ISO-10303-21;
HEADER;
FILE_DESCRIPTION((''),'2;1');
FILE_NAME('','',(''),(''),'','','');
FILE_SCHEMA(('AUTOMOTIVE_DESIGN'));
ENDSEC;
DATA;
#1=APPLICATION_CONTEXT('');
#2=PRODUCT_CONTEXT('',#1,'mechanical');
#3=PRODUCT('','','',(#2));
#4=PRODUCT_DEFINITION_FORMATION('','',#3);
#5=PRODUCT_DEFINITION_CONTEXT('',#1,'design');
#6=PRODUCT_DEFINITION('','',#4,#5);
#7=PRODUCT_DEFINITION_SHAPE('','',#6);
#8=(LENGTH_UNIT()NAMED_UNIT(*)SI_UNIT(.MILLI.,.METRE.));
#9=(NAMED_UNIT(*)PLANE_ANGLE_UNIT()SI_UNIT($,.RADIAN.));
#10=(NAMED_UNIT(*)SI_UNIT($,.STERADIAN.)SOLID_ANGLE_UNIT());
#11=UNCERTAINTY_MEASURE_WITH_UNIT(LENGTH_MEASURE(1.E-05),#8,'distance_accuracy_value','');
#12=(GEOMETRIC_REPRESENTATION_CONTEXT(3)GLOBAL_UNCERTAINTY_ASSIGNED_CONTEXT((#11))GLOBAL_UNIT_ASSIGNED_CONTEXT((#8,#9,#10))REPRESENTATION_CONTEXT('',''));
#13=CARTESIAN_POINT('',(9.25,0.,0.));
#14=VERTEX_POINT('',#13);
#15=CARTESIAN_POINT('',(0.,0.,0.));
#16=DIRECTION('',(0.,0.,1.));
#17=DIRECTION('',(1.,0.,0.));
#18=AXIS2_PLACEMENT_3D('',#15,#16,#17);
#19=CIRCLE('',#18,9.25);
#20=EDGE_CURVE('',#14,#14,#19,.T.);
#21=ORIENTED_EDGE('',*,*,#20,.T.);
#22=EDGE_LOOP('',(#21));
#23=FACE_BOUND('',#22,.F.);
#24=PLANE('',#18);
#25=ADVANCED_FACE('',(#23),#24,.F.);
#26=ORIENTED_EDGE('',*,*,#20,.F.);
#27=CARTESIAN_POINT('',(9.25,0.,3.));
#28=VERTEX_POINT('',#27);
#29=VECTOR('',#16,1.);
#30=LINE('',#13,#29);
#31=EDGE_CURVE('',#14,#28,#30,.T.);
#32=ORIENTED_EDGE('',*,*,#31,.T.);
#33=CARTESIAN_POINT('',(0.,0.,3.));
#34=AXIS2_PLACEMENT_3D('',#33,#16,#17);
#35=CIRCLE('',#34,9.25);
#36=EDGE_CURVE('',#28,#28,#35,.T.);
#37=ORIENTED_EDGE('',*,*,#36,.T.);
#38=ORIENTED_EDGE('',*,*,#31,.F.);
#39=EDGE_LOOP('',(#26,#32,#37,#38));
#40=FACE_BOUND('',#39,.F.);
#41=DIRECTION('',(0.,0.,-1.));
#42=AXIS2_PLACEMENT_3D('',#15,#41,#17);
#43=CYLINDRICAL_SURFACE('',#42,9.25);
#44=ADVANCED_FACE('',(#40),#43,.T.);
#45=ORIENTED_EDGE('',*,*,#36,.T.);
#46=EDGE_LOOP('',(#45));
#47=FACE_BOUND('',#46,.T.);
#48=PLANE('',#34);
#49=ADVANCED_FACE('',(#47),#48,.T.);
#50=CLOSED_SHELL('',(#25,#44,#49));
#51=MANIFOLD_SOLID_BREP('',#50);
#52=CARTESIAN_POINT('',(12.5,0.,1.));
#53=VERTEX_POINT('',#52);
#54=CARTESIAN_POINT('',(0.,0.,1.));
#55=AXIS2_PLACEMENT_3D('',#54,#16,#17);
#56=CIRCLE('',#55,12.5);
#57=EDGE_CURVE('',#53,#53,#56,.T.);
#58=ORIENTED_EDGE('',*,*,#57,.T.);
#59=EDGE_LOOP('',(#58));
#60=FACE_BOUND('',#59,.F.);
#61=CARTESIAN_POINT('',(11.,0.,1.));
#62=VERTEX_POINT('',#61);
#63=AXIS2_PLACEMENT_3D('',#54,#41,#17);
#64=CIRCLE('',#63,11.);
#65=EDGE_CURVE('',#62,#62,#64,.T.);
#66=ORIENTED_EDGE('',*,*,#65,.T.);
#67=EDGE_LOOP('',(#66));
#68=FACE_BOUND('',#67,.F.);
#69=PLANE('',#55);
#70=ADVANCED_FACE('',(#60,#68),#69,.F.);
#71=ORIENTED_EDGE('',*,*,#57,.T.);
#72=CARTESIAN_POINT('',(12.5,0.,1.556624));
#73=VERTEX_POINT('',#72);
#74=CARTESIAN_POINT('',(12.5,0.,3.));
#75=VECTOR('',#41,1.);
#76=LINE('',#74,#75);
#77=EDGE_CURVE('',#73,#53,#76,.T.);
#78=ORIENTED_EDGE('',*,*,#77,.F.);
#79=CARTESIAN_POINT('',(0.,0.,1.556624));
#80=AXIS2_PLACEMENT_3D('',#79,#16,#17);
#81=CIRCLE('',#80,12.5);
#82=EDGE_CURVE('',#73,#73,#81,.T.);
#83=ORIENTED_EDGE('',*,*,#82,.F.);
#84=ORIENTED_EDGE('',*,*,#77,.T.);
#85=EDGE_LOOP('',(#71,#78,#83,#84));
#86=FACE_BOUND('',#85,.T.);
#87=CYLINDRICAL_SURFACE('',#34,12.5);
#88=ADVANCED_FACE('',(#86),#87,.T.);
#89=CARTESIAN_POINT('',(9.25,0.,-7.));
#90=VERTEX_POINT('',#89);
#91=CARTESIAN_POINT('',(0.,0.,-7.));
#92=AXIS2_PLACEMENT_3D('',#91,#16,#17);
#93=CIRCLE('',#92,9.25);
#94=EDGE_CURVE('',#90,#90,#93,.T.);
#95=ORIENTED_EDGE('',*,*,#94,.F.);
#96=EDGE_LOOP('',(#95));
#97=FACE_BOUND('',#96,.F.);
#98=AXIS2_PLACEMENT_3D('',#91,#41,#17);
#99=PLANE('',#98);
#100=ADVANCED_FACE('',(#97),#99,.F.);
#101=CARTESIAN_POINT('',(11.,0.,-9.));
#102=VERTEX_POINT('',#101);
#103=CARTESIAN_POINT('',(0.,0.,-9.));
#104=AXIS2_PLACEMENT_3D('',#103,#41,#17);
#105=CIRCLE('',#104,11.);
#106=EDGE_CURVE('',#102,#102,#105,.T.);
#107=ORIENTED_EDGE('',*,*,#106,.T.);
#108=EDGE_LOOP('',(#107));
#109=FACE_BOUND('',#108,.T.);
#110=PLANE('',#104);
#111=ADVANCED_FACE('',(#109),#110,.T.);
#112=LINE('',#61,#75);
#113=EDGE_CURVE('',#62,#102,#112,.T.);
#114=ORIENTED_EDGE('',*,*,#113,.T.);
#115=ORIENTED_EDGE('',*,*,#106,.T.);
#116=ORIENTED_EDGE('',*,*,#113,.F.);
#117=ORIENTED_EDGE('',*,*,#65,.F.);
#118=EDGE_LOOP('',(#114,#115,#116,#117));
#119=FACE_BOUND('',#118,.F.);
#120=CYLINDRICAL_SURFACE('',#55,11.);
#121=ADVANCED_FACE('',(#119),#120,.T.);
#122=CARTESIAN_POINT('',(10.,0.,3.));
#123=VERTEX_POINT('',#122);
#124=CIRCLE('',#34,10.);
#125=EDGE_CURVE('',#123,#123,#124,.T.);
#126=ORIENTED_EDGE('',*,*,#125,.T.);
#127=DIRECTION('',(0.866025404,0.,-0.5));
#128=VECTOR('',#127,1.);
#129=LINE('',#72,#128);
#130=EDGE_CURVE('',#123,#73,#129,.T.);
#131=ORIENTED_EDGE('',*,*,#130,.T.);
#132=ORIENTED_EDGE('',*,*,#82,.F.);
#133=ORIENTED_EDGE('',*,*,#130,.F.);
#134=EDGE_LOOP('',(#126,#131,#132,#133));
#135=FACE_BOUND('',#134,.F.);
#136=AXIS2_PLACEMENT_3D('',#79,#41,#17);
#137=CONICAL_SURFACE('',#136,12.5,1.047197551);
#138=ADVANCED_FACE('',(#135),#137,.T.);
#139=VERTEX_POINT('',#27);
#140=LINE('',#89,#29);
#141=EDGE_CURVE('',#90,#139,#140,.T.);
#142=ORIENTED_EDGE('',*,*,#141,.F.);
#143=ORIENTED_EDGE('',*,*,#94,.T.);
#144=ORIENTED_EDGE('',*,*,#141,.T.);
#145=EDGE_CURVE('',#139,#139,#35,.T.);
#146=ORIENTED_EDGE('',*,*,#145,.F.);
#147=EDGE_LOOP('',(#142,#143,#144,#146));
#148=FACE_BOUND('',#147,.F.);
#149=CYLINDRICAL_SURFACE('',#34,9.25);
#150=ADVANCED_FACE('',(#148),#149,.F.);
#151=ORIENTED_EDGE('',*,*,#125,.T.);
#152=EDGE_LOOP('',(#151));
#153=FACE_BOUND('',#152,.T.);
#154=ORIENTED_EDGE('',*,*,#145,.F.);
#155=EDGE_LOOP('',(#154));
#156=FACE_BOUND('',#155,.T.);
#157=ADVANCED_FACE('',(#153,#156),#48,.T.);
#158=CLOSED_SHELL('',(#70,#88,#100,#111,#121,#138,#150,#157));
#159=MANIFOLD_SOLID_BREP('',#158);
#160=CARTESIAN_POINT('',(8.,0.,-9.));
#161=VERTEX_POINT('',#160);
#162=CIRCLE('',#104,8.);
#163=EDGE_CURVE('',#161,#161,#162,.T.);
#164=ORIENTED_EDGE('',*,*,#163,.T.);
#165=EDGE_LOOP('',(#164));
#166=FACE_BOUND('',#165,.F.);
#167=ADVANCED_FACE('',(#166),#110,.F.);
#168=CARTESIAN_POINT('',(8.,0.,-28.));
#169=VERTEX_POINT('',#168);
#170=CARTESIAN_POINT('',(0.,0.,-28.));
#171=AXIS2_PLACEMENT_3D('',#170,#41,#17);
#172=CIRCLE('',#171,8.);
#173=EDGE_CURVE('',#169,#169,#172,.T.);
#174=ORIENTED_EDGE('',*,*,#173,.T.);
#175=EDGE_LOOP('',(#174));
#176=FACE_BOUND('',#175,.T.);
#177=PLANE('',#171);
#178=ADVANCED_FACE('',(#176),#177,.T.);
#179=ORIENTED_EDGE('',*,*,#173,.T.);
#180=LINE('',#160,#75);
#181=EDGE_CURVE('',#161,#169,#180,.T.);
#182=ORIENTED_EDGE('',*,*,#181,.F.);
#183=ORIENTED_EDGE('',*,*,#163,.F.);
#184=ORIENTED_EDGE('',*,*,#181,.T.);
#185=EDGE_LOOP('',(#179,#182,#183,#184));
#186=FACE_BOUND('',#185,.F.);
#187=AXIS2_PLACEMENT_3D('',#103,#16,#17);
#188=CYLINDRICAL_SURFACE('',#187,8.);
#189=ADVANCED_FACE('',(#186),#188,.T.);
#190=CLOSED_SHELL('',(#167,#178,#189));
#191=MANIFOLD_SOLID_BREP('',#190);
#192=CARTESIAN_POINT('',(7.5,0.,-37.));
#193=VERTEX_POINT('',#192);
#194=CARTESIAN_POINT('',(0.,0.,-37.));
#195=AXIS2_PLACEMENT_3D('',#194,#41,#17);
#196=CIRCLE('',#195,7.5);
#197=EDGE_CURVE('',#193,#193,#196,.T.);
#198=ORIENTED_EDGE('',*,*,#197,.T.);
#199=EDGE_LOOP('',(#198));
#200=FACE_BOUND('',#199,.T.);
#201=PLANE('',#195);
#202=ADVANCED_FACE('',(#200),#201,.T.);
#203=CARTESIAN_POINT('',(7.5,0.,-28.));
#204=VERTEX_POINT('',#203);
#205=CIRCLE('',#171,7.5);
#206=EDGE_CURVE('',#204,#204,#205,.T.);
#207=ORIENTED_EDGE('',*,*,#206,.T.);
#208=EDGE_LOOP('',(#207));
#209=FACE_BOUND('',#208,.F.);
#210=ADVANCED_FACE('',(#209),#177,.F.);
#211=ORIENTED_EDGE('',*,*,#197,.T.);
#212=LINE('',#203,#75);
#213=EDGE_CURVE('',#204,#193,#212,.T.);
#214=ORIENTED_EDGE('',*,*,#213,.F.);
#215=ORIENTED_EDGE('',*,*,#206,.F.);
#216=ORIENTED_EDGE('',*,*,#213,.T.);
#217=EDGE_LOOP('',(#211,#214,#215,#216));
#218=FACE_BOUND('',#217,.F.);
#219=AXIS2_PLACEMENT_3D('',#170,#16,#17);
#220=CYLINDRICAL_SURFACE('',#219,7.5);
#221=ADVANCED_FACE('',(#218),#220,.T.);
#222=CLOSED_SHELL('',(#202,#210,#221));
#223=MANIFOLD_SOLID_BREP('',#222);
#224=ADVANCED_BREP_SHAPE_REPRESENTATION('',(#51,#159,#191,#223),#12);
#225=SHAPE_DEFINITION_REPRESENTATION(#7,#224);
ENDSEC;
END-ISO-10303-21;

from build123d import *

# Parameters (mm, degrees)
F0_R      = 9.25
F1_DEPTH  = 3
F2_R      = 12.5
F2_R_2    = 9.25
F3_DEPTH  = 2
F4_R      = 11
F4_R_2    = 9.25
F5_DEPTH  = 10
F6_R      = 11
F7_DEPTH  = 2
F8_SIZE2  = 1.443375673
F8_SIZE   = 2.5
F9_R      = 8
F10_DEPTH = 19
F11_R     = 7.5
F12_DEPTH = 9


with BuildPart() as f1:
    # F0 (on Top) → F1 (new body)
    with BuildSketch(Plane.XY):
        Circle(F0_R)
    extrude(amount=F1_DEPTH)


with BuildPart() as f3:
    # F2 (on face) → F3 (new body)
    with BuildSketch(Plane.XY.offset(3)):
        Circle(F2_R)
        Circle(F2_R_2, mode=Mode.SUBTRACT)
    extrude(amount=-F3_DEPTH)

    # F4 (on face) → F5 (join)
    with BuildSketch(Plane(origin=(0, 0, 1), x_dir=(1, 0, 0), z_dir=(0, 0, -1))):
        Circle(F4_R)
        Circle(F4_R_2, mode=Mode.SUBTRACT)
    extrude(amount=F5_DEPTH)

    # F6 (on face) → F7 (join)
    with BuildSketch(Plane(origin=(0, 0, -9), x_dir=(1, 0, 0), z_dir=(0, 0, -1))):
        Circle(F6_R)
    extrude(amount=-F7_DEPTH)

    # F8
    f8_edges = [f3.edges().sort_by_distance(p)[0] for p in [
        (-12.5, 0, 3),
    ]]
    f8_side = f3.faces().sort_by_distance((-12.146447, 0, 3))[0]
    chamfer(f8_edges, length=F8_SIZE, length2=F8_SIZE2, reference=f8_side)


with BuildPart() as f10:
    # F9 (on face) → F10 (new body)
    with BuildSketch(Plane(origin=(0, 0, -9), x_dir=(1, 0, 0), z_dir=(0, 0, -1))):
        Circle(F9_R)
    extrude(amount=F10_DEPTH)


with BuildPart() as f12:
    # F11 (on face) → F12 (new body)
    with BuildSketch(Plane(origin=(0, 0, -28), x_dir=(1, 0, 0), z_dir=(0, 0, -1))):
        Circle(F11_R)
    extrude(amount=F12_DEPTH)


solid = Compound([f1.part, f3.part, f10.part, f12.part])
